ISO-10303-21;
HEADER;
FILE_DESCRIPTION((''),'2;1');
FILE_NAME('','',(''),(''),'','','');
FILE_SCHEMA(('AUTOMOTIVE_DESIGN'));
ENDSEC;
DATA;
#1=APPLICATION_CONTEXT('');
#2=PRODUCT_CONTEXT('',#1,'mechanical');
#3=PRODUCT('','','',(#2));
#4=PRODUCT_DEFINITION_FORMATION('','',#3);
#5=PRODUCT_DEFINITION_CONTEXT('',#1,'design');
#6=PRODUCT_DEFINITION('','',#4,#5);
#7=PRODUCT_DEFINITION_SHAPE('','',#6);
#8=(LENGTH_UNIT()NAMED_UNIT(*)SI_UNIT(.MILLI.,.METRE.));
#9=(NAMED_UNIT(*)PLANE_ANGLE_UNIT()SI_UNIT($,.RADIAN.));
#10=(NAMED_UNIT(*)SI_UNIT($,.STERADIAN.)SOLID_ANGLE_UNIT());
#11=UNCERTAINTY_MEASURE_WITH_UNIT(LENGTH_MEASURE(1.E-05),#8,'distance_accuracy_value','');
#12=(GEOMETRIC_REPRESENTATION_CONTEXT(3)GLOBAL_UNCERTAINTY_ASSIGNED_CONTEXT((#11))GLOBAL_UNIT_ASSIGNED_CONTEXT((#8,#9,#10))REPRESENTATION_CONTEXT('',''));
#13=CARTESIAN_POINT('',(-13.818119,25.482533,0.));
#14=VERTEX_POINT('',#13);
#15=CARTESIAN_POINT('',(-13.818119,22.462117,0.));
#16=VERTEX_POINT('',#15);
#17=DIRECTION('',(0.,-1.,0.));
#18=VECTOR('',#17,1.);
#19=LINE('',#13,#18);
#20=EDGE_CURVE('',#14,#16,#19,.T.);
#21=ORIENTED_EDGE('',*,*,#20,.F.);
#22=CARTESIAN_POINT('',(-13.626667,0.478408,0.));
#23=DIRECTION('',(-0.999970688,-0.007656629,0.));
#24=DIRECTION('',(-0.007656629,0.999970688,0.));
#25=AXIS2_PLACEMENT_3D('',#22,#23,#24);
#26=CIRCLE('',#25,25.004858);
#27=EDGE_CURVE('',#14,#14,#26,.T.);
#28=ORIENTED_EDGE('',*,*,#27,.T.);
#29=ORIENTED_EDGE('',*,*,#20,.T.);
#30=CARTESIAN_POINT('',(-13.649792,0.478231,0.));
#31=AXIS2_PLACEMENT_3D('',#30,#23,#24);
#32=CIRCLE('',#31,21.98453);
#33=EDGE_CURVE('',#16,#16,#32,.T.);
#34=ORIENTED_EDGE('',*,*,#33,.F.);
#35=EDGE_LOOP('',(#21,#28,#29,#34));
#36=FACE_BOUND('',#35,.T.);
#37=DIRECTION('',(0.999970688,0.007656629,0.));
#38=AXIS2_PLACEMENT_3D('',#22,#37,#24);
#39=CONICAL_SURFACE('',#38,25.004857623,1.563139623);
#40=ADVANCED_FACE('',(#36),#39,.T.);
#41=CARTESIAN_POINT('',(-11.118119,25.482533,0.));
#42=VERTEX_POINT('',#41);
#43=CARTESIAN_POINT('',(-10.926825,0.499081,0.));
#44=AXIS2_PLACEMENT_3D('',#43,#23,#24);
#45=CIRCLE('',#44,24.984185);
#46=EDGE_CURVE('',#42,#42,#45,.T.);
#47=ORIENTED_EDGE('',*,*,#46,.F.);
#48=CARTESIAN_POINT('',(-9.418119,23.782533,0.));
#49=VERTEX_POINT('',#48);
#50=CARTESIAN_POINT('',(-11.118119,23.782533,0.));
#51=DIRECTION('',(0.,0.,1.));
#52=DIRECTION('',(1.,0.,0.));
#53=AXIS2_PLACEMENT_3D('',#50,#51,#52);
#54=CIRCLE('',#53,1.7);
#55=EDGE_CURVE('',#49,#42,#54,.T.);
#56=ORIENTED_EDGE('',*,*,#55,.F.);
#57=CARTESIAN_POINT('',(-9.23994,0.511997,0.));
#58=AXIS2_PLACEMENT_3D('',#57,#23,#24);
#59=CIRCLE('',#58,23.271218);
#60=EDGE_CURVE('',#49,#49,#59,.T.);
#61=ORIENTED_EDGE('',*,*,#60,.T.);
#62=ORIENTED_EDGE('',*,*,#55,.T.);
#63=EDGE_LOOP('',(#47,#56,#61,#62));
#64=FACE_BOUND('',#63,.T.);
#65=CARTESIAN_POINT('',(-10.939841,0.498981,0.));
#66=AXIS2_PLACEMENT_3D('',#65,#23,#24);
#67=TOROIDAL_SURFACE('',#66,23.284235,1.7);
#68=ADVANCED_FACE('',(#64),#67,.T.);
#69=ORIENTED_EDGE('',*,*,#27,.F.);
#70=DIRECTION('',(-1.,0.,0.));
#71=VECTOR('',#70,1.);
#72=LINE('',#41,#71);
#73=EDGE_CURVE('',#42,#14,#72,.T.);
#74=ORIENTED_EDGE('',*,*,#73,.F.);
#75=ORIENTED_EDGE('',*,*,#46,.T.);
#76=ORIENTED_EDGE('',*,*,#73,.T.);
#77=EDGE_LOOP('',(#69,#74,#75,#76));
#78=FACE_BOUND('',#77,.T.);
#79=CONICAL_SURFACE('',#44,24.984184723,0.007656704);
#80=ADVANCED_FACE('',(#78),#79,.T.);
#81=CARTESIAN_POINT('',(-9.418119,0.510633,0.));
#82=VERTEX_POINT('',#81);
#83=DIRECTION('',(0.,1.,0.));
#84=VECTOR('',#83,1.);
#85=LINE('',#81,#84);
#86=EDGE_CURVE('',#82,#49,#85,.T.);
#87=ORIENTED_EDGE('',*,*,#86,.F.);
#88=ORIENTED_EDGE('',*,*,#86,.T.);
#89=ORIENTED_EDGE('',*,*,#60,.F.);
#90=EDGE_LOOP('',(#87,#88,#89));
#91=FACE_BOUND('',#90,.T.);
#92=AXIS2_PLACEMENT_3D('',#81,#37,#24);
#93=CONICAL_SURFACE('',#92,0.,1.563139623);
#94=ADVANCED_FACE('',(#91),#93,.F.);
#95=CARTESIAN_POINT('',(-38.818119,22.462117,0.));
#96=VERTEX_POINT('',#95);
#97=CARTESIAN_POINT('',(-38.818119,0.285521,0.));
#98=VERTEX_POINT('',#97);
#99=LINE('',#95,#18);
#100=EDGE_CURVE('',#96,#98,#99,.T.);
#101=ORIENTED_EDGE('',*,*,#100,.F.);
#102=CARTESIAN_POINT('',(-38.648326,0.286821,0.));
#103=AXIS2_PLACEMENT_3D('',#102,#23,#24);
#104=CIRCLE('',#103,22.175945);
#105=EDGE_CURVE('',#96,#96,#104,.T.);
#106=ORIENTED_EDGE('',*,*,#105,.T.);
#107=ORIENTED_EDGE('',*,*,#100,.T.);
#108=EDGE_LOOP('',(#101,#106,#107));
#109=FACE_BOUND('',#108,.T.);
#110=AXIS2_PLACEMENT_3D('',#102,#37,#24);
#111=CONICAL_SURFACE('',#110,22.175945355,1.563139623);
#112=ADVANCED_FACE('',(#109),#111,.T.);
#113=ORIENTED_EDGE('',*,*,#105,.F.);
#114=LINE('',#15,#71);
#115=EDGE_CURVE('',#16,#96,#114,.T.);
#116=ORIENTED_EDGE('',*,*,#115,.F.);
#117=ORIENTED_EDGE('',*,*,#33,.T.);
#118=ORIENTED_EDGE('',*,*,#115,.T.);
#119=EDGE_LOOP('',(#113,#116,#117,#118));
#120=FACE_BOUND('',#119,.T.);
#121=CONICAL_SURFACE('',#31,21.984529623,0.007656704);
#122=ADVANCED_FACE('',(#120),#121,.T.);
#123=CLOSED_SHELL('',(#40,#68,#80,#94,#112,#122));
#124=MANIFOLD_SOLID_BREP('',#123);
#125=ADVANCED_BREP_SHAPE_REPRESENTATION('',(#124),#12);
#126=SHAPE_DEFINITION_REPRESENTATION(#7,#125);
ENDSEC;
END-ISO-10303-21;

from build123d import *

# Parameters (mm, degrees)
F4_DEPTH = 15


with BuildPart() as f1:
    # F0 (on Top) → F1 (revolve)
    with BuildSketch(Plane.XY):
        with BuildLine():
            Line((-13.818119443, 25.4825330902), (-13.818119443, 22.4621165544))
            Line((-13.818119443, 22.4621165544), (-13.818119443, 0.4769424934))
            Line((-13.818119443, 0.4769424934), (-9.418119443, 0.5106326499))
            Line((-9.418119443, 0.5106326499), (-9.418119443, 23.7825330902))
            ThreePointArc((-9.418119443, 23.7825330902), (-9.916037915, 24.9846146182), (-11.118119443, 25.4825330902))
            Line((-11.118119443, 25.4825330902), (-13.818119443, 25.4825330902))
        make_face()
        Polygon((-13.818119443, 22.4621165544), (-38.818119443, 22.4621165544), (-38.818119443, 0.2855211496), (-13.818119443, 0.4769424934), align=None)
    revolve(axis=Axis((-24.118119443, 0.3980768998, 0), (-0.9999706876, -0.0076566293, 0)))

    # F3 (on offset) → F4 (cut)
    with BuildSketch(Plane.YZ.offset(50)):
        Polygon((-4.4728258744, -7.7471616678), (4.4728258744, -7.7471616678), (8.9456517487, 0), (4.4728258744, 7.7471616678), (-4.4728258744, 7.7471616678), (-8.9456517487, 0), align=None)
    extrude(amount=-F4_DEPTH, mode=Mode.SUBTRACT)


solid = f1.part
